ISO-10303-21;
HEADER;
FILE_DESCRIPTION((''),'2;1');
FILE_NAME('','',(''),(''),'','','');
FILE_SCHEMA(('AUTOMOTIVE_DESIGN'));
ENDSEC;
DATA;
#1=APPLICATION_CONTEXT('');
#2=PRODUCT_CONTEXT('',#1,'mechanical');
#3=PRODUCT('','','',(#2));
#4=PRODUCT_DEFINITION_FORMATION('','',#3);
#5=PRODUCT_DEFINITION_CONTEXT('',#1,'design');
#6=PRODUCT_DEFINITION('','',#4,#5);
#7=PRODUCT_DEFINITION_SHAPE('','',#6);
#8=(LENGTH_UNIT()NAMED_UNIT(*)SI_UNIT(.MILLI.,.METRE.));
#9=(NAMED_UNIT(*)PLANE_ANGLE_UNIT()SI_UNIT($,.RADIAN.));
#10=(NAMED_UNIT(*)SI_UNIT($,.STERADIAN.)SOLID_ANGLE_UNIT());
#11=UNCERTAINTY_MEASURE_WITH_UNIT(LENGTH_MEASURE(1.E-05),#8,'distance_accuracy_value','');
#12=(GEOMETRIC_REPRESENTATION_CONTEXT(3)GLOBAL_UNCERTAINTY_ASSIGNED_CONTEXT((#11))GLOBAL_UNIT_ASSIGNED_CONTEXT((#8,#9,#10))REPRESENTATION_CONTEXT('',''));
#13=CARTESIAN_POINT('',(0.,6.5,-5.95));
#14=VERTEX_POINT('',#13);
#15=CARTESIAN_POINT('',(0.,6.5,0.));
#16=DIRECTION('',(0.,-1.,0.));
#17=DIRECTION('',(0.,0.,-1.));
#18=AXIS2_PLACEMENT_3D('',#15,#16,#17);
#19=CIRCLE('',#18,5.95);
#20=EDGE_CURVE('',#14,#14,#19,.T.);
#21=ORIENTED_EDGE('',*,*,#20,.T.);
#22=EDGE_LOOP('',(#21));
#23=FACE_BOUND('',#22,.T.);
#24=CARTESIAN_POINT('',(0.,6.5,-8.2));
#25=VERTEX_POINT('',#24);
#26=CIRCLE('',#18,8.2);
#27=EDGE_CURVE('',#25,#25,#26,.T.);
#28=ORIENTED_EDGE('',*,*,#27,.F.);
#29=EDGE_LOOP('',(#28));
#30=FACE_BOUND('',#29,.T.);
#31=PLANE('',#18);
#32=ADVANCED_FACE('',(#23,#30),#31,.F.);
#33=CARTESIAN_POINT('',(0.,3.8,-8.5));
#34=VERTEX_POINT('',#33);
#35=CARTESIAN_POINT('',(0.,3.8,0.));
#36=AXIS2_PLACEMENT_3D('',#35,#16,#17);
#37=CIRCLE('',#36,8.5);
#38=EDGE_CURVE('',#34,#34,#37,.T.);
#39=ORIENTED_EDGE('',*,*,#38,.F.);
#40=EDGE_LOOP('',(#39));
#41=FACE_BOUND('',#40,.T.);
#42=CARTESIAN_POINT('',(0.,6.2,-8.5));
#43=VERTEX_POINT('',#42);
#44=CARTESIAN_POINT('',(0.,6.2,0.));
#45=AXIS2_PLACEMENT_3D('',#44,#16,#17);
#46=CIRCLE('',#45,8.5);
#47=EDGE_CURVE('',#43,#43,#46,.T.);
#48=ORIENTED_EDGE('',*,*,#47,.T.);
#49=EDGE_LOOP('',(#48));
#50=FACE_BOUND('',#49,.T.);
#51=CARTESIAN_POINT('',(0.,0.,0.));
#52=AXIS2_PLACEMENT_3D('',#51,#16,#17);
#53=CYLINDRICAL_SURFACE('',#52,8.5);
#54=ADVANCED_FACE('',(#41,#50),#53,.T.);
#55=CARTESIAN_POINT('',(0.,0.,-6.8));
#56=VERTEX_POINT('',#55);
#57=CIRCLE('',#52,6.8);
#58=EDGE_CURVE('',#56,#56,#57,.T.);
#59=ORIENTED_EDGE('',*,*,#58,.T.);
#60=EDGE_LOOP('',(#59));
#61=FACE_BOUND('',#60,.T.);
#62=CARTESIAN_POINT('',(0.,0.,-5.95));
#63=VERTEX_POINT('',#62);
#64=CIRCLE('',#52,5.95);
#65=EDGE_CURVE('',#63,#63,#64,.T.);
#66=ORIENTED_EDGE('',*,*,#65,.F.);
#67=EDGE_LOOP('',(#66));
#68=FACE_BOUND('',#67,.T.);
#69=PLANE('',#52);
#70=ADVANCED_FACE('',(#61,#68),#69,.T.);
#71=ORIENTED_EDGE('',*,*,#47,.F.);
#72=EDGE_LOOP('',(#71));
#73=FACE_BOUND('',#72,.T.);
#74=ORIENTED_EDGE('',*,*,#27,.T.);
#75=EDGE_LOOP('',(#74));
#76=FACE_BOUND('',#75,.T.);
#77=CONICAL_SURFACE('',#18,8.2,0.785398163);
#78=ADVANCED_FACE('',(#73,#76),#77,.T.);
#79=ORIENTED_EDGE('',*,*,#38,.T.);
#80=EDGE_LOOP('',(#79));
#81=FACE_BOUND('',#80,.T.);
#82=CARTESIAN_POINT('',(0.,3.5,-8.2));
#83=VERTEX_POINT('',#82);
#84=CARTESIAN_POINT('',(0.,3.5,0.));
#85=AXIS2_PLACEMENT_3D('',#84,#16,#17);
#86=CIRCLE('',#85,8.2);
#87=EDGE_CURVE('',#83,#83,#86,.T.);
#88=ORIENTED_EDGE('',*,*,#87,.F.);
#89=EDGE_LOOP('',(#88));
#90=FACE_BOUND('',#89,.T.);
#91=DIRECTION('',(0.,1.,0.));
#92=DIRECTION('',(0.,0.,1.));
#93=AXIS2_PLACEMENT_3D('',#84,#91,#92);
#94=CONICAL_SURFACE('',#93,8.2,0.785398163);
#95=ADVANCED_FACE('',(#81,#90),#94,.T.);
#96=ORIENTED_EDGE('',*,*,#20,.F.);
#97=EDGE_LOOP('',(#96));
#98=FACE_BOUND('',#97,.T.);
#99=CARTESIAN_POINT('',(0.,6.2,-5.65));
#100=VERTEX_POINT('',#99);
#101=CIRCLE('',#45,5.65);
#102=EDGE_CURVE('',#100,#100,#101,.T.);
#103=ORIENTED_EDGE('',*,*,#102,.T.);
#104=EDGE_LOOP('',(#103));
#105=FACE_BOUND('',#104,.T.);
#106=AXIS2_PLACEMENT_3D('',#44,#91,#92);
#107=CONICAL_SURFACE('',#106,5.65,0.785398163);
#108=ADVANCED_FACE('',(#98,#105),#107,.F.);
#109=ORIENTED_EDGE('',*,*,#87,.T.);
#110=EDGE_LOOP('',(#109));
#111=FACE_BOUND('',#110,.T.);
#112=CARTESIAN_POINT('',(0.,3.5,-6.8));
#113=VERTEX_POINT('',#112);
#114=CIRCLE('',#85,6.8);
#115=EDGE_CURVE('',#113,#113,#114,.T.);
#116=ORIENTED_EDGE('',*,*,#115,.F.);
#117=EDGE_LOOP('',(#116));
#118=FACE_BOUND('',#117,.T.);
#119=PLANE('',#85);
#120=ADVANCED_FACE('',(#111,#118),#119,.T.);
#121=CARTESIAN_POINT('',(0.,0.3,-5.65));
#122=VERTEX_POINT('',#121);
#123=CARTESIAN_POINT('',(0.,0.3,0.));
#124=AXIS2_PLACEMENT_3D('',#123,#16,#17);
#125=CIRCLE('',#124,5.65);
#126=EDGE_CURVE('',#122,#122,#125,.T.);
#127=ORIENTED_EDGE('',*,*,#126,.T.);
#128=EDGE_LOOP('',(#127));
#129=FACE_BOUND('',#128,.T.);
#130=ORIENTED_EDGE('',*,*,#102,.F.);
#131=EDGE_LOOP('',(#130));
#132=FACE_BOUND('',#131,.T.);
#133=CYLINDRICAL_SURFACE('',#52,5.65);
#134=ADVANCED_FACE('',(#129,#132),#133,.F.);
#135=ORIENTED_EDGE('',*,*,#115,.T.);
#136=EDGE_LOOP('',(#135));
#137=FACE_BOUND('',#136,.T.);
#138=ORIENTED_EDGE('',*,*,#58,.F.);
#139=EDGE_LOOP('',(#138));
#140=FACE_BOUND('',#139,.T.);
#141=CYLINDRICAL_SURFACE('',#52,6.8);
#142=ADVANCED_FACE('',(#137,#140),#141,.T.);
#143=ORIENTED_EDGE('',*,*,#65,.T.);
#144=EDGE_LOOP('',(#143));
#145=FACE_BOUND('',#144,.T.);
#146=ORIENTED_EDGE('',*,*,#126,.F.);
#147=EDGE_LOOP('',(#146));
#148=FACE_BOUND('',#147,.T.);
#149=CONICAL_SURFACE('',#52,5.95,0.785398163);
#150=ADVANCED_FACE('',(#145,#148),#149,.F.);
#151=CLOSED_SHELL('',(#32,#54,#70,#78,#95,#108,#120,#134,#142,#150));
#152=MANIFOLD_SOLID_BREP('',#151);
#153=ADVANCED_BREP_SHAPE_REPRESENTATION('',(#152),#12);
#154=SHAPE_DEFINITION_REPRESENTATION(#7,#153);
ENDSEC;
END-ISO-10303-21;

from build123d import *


with BuildPart() as part:
    # Эскиз2 → Повернуть1 (revolve)
    with BuildSketch(Plane.XY, mode=Mode.PRIVATE) as revolve_1_sk:
        Polygon((5.95, 0), (5.65, 0.3), (5.65, 6.2), (5.95, 6.5), (8.2, 6.5), (8.5, 6.2), (8.5, 3.8), (8.2, 3.5), (6.8, 3.5), (6.8, 0), align=None)
    revolve(revolve_1_sk.sketch.rotate(Axis((0, 0, 0), (0, 1, 0)), 90), axis=Axis((0, 0, 0), (0, 1, 0)))


solid = part.part
